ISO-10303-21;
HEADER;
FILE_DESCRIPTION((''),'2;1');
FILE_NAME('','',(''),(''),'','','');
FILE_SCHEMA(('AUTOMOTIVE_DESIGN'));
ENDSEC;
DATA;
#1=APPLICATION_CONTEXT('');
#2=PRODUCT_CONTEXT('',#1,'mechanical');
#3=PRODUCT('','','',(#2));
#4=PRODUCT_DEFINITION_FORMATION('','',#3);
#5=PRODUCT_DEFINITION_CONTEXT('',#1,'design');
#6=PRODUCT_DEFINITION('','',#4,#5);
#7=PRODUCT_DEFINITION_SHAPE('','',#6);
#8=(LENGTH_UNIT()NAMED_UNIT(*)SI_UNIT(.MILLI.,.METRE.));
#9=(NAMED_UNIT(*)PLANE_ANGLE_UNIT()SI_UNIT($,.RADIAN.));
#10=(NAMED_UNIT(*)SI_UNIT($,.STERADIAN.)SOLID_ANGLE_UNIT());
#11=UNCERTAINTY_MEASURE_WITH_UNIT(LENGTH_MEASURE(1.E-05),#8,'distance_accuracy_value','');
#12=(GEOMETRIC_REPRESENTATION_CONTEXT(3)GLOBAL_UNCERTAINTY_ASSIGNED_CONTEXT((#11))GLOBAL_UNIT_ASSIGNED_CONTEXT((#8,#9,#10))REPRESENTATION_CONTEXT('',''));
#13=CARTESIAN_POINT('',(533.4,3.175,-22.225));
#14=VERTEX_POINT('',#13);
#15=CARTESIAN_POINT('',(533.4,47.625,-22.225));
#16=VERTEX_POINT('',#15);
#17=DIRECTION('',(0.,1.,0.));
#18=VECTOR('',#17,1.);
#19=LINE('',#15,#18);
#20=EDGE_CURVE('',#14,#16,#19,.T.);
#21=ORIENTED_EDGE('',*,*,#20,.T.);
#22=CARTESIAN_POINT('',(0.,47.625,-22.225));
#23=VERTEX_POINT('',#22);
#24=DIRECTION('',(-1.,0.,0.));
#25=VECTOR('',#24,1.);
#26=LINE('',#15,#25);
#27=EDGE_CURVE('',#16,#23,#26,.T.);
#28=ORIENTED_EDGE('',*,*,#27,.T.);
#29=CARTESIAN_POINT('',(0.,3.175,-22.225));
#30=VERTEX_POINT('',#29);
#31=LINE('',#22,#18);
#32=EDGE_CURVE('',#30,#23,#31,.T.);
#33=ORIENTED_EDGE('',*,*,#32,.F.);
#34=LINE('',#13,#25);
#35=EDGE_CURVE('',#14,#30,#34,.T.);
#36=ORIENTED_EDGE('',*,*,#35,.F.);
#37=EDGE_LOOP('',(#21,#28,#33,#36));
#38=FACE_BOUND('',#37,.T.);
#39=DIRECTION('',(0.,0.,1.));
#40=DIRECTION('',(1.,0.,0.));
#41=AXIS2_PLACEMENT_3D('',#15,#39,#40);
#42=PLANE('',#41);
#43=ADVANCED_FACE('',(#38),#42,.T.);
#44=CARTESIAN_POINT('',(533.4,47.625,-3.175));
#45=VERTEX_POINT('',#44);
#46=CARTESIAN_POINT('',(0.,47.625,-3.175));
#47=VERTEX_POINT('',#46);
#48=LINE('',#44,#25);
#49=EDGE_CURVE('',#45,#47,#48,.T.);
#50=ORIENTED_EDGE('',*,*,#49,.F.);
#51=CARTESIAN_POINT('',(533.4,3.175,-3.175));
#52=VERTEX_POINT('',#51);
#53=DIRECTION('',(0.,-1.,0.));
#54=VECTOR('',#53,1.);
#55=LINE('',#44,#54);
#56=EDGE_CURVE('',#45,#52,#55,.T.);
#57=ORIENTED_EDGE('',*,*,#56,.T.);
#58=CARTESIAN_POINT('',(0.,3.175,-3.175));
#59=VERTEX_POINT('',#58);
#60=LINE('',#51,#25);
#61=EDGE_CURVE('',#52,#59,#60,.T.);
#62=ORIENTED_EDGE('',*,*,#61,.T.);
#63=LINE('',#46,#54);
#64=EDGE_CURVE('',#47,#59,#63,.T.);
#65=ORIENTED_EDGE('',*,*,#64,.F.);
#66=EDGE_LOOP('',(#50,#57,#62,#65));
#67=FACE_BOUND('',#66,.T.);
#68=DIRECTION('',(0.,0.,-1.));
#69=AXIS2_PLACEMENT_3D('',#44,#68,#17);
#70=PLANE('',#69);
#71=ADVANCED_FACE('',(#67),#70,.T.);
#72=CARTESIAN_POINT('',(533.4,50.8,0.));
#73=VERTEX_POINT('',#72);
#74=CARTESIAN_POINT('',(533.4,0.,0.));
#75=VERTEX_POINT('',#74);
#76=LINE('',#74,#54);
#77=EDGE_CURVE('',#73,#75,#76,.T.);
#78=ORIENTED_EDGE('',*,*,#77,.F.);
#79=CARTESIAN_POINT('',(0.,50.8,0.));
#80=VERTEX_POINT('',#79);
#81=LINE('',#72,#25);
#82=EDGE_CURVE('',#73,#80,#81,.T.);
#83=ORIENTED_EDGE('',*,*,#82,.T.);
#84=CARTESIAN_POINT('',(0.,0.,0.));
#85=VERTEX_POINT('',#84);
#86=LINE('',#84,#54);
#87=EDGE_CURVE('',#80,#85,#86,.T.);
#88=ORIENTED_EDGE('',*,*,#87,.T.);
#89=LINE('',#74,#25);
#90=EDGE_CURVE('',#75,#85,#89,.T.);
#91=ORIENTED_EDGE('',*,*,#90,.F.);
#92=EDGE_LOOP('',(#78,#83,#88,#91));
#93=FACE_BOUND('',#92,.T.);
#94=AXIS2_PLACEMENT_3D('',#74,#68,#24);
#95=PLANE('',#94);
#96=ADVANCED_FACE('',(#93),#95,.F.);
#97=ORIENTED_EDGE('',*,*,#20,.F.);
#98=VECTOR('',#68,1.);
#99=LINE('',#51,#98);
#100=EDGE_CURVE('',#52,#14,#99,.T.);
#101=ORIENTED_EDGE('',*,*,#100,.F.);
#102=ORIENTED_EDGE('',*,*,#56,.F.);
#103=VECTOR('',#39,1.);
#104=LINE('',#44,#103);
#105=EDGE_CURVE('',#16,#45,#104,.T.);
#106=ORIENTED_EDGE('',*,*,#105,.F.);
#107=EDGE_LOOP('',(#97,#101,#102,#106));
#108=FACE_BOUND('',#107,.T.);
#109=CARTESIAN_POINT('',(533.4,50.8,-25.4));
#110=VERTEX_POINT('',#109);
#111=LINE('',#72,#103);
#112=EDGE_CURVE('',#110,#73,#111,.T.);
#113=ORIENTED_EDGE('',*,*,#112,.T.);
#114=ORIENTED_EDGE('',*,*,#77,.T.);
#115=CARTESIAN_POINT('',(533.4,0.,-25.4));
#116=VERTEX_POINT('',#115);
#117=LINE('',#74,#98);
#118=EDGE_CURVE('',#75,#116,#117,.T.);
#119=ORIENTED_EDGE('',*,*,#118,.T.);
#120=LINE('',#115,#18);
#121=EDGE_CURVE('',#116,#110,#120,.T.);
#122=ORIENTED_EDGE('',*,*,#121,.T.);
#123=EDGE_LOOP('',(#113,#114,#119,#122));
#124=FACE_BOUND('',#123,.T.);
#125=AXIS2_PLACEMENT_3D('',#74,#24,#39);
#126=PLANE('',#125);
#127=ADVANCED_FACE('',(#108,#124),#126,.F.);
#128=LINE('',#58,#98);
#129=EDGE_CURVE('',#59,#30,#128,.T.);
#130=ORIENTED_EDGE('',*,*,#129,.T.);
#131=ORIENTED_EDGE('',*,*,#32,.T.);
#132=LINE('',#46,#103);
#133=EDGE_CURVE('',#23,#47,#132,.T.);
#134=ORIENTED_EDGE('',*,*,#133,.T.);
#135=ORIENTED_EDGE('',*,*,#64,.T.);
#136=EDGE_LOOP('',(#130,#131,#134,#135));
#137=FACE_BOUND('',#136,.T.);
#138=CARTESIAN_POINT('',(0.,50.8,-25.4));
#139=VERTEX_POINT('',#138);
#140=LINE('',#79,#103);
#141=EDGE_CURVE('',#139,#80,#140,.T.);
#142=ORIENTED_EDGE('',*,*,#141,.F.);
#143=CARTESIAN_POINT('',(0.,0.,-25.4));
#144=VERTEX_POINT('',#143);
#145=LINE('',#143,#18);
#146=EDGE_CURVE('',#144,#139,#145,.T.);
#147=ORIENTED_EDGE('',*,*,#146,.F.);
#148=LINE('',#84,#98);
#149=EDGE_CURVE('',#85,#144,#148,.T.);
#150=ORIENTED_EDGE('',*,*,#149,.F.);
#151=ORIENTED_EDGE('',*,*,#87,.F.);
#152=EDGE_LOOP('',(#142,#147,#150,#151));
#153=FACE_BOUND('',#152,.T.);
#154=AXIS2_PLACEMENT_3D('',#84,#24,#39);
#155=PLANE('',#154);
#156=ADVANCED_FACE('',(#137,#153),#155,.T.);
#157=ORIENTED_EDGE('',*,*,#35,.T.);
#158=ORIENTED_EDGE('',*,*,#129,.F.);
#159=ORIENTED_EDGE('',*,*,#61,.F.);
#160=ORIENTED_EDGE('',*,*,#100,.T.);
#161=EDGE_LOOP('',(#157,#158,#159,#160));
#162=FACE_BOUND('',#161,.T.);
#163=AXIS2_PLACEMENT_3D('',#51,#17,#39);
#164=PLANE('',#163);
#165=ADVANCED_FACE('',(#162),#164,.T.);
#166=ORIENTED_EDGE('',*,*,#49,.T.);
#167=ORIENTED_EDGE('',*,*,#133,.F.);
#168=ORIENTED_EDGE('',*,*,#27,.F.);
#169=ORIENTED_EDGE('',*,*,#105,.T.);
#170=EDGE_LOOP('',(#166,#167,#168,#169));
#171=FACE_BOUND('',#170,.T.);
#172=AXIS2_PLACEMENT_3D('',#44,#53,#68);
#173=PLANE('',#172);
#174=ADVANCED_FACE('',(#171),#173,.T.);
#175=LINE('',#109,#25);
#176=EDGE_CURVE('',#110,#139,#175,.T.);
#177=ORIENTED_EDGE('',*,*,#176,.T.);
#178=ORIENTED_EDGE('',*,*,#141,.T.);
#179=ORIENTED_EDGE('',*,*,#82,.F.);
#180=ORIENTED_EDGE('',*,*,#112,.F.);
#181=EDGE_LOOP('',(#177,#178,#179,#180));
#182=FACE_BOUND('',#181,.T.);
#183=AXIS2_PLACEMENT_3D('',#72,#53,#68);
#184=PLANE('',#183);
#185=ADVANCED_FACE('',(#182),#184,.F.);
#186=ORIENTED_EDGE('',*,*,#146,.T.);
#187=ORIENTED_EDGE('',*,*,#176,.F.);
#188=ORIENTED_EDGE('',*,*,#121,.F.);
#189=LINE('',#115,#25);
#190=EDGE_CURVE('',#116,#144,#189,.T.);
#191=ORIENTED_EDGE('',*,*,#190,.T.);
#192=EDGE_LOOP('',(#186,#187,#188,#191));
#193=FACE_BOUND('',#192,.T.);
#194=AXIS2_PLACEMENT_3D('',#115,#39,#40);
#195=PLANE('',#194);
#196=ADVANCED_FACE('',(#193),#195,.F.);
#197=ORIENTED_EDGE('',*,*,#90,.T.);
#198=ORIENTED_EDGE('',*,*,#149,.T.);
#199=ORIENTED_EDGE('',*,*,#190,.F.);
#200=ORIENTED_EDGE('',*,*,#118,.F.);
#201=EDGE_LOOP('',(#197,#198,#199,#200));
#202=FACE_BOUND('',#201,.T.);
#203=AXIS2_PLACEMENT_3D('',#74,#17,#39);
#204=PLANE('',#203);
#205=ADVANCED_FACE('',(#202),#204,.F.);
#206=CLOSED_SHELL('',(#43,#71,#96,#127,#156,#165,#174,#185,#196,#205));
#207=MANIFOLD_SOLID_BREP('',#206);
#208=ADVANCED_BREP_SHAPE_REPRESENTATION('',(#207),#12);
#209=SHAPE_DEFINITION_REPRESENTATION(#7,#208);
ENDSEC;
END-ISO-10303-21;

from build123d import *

# Parameters (mm, degrees)
SKETCH1_W           = 25.4
SKETCH1_H           = 50.8
SKETCH1_W_2         = 19.05
SKETCH1_H_2         = 44.45
BOSS_EXTRUDE1_DEPTH = 533.4


with BuildPart() as part:
    # Sketch1 → Boss-Extrude1 (new body)
    with BuildSketch(Plane(origin=(0, 0, 0), x_dir=(0, 0, -1), z_dir=(1, 0, 0))):
        with Locations((12.7, 25.4)):
            Rectangle(SKETCH1_W, SKETCH1_H)
        with Locations((12.7, 25.4)):
            Rectangle(SKETCH1_W_2, SKETCH1_H_2, mode=Mode.SUBTRACT)
    extrude(amount=BOSS_EXTRUDE1_DEPTH)


solid = part.part
